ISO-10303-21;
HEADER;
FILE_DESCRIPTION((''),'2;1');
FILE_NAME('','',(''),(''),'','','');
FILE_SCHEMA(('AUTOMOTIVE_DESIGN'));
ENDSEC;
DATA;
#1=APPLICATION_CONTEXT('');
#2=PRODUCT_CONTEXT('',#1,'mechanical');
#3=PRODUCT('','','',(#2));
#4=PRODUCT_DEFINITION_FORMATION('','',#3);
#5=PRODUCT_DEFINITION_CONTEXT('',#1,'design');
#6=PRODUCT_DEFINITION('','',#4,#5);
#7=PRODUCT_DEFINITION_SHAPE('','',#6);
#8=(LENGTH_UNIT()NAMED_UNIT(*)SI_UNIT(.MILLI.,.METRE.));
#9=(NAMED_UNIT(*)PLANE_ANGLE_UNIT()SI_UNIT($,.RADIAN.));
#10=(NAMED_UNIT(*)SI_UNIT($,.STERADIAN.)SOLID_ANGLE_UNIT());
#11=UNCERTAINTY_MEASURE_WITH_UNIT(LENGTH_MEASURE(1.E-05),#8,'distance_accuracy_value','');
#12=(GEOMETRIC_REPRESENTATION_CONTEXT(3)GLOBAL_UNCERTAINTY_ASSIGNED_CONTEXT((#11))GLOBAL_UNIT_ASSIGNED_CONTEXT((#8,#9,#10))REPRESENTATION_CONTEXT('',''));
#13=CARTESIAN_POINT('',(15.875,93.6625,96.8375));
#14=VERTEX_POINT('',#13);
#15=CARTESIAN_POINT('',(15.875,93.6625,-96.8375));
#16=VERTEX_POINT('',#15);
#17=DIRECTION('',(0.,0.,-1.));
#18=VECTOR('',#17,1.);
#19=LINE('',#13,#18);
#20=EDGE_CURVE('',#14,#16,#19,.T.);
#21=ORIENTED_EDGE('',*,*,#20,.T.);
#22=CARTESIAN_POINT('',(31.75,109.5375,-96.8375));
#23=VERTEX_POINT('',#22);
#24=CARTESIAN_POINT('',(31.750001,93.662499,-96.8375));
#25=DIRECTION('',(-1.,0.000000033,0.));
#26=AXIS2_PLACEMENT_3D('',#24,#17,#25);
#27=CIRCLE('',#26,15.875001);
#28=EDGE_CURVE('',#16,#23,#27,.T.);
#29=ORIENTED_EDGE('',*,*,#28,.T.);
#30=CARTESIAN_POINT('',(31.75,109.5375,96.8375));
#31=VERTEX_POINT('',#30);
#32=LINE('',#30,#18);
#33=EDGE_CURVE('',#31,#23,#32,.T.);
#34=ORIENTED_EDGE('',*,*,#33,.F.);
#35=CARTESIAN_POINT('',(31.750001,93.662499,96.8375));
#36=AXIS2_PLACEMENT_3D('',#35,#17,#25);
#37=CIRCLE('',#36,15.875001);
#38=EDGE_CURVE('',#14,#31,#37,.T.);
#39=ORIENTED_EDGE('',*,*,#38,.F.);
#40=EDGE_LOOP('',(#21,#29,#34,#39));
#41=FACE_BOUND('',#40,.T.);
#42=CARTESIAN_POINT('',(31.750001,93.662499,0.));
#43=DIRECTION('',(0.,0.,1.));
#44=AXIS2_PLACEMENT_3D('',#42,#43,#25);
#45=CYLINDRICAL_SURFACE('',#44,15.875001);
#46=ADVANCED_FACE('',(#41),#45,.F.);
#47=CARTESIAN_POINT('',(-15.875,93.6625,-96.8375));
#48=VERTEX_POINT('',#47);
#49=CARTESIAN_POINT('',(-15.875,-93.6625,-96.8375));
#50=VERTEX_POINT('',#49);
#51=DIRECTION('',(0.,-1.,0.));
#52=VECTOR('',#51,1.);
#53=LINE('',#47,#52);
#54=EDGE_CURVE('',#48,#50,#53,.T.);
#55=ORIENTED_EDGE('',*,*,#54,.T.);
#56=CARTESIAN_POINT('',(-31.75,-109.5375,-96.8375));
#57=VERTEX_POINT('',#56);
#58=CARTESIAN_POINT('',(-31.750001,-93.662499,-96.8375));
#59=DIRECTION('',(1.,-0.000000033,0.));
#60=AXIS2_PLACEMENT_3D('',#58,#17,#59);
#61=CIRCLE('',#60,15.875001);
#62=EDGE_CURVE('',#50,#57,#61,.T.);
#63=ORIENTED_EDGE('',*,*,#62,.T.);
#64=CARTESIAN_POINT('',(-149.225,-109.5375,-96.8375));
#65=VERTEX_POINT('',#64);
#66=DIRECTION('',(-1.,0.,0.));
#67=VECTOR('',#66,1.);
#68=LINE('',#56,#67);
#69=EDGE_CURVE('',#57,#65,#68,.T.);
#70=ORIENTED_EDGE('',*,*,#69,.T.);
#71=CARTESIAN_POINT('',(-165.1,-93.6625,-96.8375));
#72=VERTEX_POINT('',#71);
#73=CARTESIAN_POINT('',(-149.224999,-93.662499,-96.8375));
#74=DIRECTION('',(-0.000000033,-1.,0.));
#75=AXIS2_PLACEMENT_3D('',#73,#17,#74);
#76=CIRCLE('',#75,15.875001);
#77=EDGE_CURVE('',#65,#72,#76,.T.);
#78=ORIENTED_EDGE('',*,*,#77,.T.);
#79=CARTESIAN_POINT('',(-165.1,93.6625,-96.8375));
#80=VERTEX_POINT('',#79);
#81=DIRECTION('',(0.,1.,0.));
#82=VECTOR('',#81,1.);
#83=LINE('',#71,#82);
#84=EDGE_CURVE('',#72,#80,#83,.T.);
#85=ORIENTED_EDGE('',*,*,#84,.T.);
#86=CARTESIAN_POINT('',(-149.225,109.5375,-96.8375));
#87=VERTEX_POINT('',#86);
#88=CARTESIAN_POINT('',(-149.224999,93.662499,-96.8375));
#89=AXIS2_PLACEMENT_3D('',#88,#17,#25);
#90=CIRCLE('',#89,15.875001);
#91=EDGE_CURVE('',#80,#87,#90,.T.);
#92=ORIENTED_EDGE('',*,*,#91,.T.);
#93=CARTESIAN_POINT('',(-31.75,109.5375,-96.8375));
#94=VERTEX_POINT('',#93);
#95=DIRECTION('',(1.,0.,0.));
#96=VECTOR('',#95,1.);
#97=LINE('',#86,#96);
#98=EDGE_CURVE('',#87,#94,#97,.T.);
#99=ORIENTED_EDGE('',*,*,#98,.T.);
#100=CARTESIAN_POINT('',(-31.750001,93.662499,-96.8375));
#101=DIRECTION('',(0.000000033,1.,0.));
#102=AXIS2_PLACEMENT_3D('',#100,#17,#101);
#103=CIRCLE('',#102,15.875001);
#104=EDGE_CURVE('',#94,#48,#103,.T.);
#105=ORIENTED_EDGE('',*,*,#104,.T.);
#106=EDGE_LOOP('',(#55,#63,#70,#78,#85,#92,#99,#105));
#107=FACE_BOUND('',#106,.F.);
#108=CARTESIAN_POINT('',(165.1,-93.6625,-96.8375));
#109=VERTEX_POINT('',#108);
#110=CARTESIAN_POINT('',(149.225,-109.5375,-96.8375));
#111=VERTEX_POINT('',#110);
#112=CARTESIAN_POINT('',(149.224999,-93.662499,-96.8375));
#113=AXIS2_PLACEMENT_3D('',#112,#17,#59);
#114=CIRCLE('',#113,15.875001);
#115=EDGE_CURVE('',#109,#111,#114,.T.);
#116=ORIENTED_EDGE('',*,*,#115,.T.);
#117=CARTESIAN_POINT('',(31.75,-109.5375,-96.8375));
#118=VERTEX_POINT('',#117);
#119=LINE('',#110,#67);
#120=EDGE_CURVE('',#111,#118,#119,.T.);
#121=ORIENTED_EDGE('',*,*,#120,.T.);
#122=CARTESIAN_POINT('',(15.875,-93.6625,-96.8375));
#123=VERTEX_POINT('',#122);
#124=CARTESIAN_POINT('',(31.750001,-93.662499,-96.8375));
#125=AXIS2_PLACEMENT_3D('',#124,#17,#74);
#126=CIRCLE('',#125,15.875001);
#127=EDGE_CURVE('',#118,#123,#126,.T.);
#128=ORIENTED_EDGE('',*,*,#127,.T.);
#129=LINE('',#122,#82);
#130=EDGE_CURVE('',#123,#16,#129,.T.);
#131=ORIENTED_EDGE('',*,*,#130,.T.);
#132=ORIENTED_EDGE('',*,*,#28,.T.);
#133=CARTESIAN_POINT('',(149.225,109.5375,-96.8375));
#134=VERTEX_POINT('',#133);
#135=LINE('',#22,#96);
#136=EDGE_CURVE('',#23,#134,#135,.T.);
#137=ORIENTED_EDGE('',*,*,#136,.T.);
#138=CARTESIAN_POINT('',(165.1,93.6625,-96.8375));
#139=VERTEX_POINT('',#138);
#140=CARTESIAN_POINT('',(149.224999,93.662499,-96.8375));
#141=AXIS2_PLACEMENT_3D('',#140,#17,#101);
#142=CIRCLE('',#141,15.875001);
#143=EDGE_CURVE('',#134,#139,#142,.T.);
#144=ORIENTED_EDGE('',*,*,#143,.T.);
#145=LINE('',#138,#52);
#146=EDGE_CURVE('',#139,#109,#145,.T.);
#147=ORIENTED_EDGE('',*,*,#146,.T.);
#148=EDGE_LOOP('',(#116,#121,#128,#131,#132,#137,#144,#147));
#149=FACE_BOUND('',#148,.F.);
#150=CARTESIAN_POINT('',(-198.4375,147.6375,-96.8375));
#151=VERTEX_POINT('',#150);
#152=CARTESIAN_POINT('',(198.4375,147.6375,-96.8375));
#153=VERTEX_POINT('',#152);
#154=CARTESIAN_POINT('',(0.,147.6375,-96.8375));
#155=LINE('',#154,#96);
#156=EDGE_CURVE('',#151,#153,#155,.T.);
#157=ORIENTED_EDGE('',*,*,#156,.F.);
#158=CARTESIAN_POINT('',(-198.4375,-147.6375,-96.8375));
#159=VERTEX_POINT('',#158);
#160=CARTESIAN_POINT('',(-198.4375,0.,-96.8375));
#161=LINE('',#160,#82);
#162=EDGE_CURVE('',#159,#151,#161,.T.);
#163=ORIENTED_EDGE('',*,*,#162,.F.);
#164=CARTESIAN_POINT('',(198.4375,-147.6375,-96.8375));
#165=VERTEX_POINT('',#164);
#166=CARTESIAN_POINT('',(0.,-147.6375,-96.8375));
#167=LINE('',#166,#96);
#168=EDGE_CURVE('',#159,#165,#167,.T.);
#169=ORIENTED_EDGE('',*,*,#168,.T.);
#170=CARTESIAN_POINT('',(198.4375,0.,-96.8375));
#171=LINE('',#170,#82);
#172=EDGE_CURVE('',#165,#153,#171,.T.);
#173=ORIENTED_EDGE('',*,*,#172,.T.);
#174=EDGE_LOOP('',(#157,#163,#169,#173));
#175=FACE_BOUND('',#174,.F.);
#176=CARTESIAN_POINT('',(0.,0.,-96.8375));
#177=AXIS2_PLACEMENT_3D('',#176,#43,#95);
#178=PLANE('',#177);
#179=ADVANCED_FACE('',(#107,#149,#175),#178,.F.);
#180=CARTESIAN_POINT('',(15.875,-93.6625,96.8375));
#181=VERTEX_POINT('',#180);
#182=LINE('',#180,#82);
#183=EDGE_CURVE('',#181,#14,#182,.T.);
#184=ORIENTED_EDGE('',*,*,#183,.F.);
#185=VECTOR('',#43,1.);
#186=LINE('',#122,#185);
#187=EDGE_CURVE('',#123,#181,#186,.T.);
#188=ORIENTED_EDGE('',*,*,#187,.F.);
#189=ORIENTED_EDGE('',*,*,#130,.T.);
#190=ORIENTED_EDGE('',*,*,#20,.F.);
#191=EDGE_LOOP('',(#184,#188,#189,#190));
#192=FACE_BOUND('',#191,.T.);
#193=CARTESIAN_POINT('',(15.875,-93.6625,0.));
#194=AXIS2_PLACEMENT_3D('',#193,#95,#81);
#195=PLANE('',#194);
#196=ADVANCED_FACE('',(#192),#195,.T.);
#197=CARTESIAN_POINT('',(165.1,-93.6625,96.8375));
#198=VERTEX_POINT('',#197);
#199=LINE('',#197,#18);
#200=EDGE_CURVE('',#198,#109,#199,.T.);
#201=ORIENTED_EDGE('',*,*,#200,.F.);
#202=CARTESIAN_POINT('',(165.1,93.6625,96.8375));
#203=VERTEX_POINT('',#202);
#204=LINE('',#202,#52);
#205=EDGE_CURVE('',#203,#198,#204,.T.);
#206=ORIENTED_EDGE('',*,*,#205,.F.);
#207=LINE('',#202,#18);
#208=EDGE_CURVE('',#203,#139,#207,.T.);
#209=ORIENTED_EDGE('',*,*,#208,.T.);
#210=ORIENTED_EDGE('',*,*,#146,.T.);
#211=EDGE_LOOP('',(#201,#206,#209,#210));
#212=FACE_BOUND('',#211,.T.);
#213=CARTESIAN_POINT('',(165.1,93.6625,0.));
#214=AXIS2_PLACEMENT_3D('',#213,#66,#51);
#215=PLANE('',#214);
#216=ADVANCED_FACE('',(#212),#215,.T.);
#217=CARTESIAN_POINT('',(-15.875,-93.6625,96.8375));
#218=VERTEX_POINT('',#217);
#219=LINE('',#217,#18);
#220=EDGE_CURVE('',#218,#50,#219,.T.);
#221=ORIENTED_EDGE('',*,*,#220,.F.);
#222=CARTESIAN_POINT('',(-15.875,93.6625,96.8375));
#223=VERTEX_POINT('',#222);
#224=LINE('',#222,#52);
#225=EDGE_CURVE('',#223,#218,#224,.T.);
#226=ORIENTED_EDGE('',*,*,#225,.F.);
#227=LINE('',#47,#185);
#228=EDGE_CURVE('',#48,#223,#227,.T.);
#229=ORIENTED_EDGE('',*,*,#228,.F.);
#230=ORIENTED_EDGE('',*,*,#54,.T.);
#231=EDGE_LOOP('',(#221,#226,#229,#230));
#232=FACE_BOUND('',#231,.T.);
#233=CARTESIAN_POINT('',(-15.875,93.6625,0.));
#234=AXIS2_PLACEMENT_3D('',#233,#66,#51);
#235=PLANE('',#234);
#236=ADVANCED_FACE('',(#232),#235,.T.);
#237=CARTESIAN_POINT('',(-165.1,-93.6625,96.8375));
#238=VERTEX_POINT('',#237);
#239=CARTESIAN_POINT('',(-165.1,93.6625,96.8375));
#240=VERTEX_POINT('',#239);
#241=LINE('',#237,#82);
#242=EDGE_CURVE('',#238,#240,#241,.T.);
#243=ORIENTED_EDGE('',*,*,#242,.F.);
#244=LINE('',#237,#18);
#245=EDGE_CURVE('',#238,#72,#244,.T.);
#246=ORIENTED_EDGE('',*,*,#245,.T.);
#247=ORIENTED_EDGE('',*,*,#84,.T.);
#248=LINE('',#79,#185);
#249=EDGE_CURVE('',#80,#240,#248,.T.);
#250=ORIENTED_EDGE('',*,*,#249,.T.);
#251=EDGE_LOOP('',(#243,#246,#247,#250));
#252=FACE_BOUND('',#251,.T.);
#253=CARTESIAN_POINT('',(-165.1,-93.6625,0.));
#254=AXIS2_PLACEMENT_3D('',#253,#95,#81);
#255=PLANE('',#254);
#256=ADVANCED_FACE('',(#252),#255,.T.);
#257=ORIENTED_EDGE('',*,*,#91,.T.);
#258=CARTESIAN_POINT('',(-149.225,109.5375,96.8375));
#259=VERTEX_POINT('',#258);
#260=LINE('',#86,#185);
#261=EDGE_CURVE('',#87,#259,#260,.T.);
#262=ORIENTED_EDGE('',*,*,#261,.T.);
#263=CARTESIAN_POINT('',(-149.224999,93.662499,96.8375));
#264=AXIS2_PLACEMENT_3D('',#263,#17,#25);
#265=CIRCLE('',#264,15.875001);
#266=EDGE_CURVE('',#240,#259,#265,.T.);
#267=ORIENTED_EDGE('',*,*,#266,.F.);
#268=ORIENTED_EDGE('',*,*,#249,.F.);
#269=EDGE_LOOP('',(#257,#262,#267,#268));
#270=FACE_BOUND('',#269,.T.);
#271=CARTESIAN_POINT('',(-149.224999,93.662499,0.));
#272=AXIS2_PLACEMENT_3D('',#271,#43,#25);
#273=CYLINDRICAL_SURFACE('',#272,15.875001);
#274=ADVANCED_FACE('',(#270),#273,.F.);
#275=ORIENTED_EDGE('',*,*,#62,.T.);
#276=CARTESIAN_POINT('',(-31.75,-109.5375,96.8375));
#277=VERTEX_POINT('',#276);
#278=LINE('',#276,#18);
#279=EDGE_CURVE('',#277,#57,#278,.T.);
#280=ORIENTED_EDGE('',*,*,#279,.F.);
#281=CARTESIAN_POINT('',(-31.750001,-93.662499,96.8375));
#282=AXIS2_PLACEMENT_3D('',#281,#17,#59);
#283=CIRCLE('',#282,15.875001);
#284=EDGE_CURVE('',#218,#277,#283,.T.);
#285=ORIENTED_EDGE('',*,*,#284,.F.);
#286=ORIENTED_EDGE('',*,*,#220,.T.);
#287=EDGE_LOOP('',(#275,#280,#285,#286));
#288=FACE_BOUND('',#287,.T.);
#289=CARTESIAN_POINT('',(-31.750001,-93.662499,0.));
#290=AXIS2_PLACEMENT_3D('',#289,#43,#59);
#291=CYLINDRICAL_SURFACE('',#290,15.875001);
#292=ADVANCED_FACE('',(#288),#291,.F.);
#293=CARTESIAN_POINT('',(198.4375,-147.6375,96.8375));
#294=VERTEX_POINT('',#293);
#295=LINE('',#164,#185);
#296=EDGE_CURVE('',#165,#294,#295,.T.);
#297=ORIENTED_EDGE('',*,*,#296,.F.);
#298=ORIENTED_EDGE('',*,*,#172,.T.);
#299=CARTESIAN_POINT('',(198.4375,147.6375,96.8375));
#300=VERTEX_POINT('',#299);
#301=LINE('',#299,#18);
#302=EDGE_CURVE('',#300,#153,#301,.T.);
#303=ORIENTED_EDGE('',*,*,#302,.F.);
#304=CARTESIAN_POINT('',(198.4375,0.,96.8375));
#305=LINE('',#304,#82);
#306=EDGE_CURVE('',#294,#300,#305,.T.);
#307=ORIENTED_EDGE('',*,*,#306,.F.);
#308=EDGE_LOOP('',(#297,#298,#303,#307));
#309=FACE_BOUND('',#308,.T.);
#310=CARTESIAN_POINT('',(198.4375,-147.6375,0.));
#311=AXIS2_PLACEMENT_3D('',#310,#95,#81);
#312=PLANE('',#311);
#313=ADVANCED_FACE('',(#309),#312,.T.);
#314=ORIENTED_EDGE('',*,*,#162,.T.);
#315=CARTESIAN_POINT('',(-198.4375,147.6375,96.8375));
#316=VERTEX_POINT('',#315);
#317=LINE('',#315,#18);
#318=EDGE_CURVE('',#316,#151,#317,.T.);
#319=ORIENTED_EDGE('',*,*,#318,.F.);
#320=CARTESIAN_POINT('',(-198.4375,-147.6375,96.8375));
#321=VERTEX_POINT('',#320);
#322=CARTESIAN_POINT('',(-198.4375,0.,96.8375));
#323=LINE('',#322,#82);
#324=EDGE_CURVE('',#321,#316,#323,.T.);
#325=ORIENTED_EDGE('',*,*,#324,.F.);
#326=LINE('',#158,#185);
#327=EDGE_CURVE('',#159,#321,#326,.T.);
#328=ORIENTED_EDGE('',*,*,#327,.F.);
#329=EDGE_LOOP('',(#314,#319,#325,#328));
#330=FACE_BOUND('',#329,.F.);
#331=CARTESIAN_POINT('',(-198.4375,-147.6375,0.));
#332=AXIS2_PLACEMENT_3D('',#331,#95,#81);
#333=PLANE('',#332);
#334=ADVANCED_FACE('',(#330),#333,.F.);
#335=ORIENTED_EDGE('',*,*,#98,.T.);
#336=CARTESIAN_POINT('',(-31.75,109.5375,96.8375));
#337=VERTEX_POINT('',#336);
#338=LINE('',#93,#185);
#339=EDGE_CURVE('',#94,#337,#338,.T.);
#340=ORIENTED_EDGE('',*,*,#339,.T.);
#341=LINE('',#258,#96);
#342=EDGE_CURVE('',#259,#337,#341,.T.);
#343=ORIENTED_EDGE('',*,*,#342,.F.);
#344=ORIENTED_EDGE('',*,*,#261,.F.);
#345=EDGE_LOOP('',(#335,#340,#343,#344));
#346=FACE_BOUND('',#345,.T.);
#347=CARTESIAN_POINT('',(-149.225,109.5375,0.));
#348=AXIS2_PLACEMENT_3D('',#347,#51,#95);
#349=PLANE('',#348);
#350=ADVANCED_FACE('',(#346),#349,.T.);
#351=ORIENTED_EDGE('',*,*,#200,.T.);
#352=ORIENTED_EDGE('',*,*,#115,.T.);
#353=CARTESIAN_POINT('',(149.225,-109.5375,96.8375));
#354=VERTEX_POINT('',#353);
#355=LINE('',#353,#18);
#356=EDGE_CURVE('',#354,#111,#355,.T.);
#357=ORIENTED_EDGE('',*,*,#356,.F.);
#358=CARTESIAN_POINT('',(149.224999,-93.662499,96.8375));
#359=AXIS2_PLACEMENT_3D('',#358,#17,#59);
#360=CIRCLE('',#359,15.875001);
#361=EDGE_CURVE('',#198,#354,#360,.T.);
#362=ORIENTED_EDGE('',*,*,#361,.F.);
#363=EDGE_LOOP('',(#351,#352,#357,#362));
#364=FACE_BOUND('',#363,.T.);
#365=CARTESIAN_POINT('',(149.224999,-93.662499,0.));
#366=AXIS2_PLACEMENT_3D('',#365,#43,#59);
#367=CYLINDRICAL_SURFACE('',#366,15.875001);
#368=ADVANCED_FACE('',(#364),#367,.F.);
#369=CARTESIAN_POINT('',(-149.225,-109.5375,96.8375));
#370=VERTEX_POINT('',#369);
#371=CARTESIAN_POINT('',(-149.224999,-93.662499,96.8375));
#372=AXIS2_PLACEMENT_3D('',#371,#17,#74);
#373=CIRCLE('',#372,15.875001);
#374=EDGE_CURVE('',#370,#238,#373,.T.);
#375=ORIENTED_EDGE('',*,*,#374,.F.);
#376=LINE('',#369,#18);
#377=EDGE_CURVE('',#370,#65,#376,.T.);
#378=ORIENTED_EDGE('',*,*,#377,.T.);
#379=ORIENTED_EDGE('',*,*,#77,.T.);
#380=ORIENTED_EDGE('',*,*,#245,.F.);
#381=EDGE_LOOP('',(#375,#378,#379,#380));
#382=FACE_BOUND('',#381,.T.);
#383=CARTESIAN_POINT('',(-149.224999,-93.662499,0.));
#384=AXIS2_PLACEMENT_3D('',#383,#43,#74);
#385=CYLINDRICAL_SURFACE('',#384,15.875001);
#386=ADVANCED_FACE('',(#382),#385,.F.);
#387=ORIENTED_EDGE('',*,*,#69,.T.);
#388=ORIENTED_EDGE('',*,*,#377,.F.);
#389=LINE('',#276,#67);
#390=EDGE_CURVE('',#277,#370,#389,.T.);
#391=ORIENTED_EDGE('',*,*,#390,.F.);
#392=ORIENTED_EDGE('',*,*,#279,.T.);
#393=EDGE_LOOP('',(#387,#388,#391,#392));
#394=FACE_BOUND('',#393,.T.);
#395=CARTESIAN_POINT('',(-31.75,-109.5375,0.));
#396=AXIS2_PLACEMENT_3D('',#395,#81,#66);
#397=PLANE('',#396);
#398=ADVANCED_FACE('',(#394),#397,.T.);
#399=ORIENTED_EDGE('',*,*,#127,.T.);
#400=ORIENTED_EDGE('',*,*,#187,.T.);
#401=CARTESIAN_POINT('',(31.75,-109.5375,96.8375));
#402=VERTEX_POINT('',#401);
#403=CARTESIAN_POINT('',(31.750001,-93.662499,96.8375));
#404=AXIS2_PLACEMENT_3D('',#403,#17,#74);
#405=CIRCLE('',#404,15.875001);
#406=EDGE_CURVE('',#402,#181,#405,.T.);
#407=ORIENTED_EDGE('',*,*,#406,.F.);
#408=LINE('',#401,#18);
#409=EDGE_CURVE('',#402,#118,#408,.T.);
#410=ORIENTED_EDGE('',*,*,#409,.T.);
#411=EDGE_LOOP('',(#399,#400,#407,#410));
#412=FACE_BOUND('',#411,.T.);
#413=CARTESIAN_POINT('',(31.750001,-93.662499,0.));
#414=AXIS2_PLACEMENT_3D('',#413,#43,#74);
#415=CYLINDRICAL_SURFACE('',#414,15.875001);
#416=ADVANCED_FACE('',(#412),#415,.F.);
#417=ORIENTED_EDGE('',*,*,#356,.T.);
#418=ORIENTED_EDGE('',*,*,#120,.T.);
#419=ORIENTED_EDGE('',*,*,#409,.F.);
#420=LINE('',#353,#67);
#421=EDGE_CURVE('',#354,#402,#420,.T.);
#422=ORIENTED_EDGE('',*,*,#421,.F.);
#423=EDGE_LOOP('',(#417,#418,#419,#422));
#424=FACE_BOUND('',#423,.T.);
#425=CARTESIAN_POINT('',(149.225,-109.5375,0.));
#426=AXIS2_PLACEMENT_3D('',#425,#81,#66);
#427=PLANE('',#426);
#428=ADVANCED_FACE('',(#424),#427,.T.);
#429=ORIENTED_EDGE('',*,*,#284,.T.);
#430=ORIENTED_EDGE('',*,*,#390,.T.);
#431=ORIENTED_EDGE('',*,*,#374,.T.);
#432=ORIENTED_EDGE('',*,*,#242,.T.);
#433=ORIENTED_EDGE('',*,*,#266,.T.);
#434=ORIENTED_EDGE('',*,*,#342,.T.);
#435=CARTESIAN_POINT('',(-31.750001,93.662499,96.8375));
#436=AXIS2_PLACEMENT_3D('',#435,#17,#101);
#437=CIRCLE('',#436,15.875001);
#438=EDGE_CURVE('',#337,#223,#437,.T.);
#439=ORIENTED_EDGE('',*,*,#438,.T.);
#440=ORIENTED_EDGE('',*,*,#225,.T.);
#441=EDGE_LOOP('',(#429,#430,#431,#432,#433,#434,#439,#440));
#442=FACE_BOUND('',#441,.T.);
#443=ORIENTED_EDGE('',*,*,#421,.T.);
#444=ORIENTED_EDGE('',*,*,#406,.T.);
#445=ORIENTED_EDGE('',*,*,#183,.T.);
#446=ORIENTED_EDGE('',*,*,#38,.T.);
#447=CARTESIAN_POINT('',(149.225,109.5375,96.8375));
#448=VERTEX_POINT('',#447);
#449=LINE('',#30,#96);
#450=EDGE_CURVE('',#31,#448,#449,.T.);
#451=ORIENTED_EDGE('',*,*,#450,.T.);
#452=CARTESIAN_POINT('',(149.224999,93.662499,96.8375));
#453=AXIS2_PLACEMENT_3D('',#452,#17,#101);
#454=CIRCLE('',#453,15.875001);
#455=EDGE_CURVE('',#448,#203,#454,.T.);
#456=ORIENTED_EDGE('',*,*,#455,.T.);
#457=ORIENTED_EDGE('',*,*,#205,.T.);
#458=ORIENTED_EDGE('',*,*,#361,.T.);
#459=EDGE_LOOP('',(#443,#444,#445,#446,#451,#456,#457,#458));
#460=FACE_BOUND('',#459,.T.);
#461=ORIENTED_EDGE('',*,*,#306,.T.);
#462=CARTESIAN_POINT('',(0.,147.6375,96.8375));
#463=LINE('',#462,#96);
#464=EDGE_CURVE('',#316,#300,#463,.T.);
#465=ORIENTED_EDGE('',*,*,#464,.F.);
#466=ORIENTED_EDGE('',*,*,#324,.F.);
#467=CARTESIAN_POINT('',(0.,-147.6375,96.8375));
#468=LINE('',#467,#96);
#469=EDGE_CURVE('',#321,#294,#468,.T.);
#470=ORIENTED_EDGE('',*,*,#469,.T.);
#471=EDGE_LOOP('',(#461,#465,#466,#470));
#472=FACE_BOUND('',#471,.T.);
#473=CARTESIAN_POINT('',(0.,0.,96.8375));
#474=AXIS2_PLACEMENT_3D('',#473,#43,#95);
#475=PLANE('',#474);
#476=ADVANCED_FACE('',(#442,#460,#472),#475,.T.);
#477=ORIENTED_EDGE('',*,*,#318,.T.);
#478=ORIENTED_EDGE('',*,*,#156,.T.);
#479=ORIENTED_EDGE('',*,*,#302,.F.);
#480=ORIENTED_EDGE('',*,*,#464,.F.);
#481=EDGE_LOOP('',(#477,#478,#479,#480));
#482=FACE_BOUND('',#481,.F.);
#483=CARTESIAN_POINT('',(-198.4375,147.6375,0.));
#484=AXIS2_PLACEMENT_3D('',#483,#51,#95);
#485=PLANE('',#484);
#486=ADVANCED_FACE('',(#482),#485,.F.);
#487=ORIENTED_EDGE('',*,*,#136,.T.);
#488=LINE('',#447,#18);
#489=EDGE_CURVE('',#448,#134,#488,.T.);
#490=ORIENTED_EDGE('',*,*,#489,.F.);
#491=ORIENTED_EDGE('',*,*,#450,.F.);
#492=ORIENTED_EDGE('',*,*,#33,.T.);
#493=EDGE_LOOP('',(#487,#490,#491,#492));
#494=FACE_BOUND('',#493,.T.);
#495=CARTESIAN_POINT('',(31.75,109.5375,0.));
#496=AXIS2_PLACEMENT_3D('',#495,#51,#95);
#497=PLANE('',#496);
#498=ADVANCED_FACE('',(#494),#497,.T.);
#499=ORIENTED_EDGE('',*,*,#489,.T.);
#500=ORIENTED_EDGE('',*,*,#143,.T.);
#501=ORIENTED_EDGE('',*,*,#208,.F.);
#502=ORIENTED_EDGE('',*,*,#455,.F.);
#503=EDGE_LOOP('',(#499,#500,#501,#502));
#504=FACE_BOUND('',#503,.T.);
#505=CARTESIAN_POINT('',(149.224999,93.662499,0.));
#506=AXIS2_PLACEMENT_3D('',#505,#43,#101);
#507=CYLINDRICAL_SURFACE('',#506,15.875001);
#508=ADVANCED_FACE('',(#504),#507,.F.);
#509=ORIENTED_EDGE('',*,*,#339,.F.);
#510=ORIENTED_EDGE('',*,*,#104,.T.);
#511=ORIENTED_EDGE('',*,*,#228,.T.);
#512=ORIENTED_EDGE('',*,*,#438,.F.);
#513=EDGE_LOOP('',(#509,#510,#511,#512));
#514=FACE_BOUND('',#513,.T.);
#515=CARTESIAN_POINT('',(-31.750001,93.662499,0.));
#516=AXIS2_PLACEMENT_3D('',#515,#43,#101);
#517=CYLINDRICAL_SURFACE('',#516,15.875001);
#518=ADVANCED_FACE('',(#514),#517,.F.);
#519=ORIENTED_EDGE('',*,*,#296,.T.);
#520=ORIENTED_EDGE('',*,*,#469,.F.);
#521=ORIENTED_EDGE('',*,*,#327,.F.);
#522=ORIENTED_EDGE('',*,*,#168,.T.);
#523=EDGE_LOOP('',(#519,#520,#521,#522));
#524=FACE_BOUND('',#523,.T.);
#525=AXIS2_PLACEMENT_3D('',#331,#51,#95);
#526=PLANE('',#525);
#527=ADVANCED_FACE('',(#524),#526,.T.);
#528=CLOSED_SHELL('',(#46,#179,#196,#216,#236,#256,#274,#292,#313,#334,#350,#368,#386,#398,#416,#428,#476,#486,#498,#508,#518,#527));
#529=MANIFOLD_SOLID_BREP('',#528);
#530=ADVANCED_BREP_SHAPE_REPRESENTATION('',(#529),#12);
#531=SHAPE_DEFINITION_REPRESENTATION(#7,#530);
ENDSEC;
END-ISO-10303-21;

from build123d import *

# Parameters (mm, degrees)
F0_W     = 396.875
F0_H     = 295.275
F1_DEPTH = 96.8375


with BuildPart() as f1:
    # F0 (on Top) → F1 (new body, symmetric)
    with BuildSketch(Plane.XY):
        Rectangle(F0_W, F0_H)
        with BuildLine():
            ThreePointArc((-165.1, 93.6625), (-160.45032, 104.88782), (-149.225, 109.5375))
            Line((-149.225, 109.5375), (-31.75, 109.5375))
            ThreePointArc((-31.75, 109.5375), (-20.52468, 104.88782), (-15.875, 93.6625))
            Line((-15.875, 93.6625), (-15.875, 0))
            Line((-15.875, 0), (-15.875, -93.6625))
            ThreePointArc((-15.875, -93.6625), (-20.52468, -104.88782), (-31.75, -109.5375))
            Line((-31.75, -109.5375), (-149.225, -109.5375))
            ThreePointArc((-149.225, -109.5375), (-160.45032, -104.88782), (-165.1, -93.6625))
            Line((-165.1, -93.6625), (-165.1, 93.6625))
        make_face(mode=Mode.SUBTRACT)
        with BuildLine():
            Line((15.875, -93.6625), (15.875, 0))
            Line((15.875, 0), (15.875, 93.6625))
            ThreePointArc((15.875, 93.6625), (20.52468, 104.88782), (31.75, 109.5375))
            Line((31.75, 109.5375), (149.225, 109.5375))
            ThreePointArc((149.225, 109.5375), (160.45032, 104.88782), (165.1, 93.6625))
            Line((165.1, 93.6625), (165.1, -93.6625))
            ThreePointArc((165.1, -93.6625), (160.45032, -104.88782), (149.225, -109.5375))
            Line((149.225, -109.5375), (31.75, -109.5375))
            ThreePointArc((31.75, -109.5375), (20.52468, -104.88782), (15.875, -93.6625))
        make_face(mode=Mode.SUBTRACT)
    extrude(amount=F1_DEPTH, both=True)


solid = f1.part
